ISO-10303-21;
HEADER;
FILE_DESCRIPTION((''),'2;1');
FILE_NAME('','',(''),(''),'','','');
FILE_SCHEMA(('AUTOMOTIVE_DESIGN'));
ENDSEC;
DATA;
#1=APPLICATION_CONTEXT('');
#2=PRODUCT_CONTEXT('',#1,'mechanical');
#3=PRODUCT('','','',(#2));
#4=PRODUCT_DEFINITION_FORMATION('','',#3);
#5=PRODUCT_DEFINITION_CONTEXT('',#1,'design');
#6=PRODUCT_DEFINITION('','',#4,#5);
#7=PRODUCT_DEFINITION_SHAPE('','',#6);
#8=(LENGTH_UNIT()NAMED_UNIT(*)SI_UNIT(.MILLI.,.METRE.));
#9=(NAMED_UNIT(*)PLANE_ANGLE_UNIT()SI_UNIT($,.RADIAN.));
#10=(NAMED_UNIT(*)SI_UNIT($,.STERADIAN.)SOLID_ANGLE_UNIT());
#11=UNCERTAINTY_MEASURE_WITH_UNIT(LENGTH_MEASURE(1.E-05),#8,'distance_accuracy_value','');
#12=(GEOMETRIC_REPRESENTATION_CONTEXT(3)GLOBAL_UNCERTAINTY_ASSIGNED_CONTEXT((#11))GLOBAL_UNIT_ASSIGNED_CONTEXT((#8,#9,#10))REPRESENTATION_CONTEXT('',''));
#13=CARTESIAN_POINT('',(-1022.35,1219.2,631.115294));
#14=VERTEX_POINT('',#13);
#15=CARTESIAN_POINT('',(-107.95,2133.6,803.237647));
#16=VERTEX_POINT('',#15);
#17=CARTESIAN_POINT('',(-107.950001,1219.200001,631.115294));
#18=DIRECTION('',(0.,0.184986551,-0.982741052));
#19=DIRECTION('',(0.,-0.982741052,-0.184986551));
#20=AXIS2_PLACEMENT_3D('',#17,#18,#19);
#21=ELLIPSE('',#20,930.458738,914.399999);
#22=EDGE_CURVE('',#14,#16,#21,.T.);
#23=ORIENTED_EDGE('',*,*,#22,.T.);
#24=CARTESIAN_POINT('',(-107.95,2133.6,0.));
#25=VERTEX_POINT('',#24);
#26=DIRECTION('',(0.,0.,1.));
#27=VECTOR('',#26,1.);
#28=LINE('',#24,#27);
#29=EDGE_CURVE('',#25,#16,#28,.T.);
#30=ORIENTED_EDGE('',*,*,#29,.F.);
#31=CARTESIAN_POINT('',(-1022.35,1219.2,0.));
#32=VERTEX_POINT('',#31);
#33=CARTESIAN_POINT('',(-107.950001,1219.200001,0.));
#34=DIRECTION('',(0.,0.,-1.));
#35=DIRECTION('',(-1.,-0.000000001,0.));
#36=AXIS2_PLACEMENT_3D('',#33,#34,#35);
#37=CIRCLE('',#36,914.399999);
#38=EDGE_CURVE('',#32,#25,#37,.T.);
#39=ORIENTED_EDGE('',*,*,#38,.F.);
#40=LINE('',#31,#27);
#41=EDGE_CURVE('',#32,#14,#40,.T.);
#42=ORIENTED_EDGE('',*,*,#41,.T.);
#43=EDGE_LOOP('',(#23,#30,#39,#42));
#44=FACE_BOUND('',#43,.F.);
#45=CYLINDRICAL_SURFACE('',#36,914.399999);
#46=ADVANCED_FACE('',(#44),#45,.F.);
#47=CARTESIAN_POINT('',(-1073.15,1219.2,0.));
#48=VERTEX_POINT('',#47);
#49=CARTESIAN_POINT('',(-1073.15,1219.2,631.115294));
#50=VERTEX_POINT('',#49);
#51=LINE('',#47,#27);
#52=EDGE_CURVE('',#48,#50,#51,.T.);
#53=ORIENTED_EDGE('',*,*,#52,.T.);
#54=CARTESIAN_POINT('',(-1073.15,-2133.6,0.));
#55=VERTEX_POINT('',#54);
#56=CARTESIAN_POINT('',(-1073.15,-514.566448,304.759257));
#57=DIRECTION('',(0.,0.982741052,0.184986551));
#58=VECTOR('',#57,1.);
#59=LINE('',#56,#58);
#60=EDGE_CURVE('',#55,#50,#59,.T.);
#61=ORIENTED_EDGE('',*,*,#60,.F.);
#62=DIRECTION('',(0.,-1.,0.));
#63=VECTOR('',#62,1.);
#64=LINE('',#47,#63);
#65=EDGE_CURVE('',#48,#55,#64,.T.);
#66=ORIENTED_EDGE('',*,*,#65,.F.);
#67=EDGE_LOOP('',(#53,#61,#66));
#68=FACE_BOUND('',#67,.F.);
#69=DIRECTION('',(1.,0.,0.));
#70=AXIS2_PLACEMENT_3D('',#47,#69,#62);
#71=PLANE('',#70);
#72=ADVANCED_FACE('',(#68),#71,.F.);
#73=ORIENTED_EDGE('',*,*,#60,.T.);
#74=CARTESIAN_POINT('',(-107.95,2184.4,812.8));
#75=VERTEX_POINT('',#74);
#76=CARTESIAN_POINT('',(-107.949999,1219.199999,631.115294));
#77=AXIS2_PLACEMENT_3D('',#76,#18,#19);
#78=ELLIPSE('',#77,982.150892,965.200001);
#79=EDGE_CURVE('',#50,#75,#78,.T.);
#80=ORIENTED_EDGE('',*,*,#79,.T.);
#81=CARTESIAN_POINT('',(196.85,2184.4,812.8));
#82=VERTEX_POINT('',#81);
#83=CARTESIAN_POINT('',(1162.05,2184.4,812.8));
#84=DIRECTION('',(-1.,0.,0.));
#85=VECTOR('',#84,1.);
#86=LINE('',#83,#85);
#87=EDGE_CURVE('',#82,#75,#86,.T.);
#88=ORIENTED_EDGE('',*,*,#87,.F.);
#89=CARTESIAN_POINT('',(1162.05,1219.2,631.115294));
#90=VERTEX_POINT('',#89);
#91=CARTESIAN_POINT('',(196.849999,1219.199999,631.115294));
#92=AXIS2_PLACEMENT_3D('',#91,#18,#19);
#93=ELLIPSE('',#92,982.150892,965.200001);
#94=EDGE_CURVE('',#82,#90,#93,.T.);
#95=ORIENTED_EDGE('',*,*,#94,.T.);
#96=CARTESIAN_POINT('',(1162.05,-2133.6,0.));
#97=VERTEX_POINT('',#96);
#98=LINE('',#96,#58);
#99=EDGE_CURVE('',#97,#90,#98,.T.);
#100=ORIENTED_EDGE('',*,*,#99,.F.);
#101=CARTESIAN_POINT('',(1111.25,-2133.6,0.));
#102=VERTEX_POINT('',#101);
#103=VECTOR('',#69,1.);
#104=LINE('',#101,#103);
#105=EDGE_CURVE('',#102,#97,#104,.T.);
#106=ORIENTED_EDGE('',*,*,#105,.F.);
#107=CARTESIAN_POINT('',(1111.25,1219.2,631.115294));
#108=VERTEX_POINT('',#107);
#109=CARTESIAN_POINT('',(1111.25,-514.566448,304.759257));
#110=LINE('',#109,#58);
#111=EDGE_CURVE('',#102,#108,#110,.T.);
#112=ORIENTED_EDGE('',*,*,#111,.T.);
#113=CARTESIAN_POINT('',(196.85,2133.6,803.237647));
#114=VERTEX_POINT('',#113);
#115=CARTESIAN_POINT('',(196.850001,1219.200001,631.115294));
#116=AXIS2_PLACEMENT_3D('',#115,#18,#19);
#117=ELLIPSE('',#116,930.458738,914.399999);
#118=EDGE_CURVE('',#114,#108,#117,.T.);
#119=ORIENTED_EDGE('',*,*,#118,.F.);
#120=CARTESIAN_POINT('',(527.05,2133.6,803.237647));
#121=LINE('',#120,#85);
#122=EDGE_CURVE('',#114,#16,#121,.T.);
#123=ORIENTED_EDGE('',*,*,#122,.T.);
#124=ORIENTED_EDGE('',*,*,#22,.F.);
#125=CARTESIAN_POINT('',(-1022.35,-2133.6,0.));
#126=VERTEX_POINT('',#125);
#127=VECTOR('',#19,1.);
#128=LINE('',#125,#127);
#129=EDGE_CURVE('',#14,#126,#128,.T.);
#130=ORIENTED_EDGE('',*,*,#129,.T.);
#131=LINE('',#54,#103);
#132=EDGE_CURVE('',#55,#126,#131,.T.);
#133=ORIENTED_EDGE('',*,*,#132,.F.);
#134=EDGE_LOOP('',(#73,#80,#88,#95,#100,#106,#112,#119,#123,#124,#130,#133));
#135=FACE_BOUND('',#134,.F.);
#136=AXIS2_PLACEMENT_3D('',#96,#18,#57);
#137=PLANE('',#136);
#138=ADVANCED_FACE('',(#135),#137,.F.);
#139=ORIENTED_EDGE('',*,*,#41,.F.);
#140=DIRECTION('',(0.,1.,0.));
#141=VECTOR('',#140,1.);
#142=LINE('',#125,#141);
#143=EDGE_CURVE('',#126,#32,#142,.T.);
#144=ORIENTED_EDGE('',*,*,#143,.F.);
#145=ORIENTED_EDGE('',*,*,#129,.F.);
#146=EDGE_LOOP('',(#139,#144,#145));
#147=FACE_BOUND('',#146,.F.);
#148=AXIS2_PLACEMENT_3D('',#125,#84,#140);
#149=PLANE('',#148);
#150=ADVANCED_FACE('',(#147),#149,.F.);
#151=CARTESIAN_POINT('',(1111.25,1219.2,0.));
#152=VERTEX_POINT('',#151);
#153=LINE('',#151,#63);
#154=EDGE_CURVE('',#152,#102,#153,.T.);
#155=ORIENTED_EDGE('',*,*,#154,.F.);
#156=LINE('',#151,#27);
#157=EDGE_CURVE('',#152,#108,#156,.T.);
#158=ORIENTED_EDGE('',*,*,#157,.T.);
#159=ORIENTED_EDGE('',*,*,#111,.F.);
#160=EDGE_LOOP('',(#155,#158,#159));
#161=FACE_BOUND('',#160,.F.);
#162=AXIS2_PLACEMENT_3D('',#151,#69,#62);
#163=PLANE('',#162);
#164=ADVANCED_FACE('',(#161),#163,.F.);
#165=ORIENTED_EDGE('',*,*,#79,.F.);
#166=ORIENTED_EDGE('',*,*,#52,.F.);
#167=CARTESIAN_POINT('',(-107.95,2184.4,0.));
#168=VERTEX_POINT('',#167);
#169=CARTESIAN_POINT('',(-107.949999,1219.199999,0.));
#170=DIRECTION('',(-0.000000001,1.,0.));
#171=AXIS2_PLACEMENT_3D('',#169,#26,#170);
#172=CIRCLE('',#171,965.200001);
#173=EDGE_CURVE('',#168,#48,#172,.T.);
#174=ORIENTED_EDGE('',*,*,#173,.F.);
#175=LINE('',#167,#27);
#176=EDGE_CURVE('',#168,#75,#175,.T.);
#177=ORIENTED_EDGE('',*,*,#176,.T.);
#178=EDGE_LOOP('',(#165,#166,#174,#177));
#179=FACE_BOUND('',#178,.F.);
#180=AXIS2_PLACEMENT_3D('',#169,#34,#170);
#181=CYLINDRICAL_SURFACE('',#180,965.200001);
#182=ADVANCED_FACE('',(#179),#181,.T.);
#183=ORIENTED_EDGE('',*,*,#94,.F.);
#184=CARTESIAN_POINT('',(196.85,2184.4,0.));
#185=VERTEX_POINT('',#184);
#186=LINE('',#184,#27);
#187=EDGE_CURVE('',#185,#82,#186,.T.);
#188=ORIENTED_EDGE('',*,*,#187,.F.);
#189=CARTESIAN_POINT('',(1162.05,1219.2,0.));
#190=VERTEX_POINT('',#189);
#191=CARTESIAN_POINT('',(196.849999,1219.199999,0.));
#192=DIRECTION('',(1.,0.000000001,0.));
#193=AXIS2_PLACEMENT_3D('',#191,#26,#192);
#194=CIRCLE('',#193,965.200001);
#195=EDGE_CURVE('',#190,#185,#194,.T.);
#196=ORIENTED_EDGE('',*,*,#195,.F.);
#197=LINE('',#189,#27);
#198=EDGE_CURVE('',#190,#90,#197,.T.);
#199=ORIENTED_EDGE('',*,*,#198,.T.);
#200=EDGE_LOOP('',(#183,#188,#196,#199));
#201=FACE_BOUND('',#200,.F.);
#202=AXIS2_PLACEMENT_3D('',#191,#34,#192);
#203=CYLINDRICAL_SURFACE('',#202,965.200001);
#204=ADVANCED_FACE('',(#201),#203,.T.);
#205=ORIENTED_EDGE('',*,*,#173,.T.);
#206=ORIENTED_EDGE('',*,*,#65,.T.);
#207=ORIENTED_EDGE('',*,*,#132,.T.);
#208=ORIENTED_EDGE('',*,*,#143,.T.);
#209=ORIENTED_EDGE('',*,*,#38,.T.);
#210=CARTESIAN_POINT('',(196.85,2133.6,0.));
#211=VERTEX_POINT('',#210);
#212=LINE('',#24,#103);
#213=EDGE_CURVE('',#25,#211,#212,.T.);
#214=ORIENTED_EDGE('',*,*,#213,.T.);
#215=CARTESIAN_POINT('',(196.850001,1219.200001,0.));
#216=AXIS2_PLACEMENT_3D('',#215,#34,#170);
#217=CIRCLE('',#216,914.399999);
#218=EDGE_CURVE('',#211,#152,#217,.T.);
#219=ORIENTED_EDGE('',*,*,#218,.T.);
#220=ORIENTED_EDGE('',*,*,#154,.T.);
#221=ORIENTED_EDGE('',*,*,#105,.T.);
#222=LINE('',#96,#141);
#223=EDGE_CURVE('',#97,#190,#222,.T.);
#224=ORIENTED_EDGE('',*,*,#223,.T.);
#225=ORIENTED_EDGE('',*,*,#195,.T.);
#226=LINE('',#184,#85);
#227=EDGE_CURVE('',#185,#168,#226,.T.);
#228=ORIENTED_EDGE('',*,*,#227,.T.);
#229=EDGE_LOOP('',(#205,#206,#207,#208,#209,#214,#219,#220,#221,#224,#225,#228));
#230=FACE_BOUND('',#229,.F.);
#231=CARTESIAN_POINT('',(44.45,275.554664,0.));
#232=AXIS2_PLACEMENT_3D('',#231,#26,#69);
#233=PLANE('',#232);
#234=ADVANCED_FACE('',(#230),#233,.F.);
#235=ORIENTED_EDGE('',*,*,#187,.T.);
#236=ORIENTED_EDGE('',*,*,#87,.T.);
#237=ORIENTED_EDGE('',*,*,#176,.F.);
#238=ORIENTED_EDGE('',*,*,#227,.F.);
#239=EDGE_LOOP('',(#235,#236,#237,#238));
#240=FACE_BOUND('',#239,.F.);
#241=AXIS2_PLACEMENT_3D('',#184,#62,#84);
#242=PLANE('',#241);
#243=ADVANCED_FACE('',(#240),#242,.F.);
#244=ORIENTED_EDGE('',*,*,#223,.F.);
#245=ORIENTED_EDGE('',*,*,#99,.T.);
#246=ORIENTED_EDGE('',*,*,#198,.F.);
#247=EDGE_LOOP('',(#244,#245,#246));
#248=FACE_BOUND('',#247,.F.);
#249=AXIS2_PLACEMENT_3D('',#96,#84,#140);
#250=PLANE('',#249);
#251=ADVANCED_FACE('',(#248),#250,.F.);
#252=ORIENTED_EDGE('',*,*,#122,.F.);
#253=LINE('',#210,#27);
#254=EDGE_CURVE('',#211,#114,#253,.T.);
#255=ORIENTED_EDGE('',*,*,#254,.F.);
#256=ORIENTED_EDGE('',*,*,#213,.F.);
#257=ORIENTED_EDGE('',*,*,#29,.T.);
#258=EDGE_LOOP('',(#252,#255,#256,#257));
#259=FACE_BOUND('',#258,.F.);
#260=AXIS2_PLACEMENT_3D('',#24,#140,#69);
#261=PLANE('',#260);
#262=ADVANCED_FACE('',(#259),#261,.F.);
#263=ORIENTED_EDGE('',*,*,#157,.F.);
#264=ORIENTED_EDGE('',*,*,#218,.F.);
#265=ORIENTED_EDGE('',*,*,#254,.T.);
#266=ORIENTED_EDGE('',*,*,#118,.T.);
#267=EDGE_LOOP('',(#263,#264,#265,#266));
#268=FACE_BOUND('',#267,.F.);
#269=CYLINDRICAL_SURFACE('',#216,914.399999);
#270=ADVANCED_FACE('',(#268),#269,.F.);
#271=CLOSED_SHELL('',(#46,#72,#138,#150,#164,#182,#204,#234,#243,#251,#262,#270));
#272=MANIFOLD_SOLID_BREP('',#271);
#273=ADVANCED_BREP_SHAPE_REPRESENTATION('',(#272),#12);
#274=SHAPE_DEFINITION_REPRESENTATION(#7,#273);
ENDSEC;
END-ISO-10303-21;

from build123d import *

# Parameters (mm, degrees)
F1_DEPTH = 1219.2
F3_DEPTH = 2235.201


with BuildPart() as f1:
    # F0 (on Top) → F1 (new body)
    with BuildSketch(Plane.XY):
        with BuildLine():
            ThreePointArc((-1022.35, 1219.2), (-754.528441, 1865.778441), (-107.95, 2133.6))
            Line((-107.95, 2133.6), (196.85, 2133.6))
            ThreePointArc((196.85, 2133.6), (843.428441, 1865.778441), (1111.25, 1219.2))
            Line((1111.25, 1219.2), (1111.25, -2133.6))
            Line((1111.25, -2133.6), (1162.05, -2133.6))
            Line((1162.05, -2133.6), (1162.05, 1219.2))
            ThreePointArc((1162.05, 1219.2), (879.349465, 1901.699465), (196.85, 2184.4))
            Line((196.85, 2184.4), (-107.95, 2184.4))
            ThreePointArc((-107.95, 2184.4), (-790.449465, 1901.699465), (-1073.15, 1219.2))
            Line((-1073.15, 1219.2), (-1073.15, -2133.6))
            Line((-1073.15, -2133.6), (-1022.35, -2133.6))
            Line((-1022.35, -2133.6), (-1022.35, 1219.2))
        make_face()
    extrude(amount=F1_DEPTH)

    # F2 (on face) → F3 (cut, through all)
    with BuildSketch(Plane.YZ.offset(1162.05)):
        Polygon((2184.4, 812.8), (2184.4, 1219.2), (-2133.6, 1219.2), (-2133.6, 609.6), (-2133.6, 0), align=None)
    extrude(amount=-F3_DEPTH, mode=Mode.SUBTRACT)


solid = f1.part
